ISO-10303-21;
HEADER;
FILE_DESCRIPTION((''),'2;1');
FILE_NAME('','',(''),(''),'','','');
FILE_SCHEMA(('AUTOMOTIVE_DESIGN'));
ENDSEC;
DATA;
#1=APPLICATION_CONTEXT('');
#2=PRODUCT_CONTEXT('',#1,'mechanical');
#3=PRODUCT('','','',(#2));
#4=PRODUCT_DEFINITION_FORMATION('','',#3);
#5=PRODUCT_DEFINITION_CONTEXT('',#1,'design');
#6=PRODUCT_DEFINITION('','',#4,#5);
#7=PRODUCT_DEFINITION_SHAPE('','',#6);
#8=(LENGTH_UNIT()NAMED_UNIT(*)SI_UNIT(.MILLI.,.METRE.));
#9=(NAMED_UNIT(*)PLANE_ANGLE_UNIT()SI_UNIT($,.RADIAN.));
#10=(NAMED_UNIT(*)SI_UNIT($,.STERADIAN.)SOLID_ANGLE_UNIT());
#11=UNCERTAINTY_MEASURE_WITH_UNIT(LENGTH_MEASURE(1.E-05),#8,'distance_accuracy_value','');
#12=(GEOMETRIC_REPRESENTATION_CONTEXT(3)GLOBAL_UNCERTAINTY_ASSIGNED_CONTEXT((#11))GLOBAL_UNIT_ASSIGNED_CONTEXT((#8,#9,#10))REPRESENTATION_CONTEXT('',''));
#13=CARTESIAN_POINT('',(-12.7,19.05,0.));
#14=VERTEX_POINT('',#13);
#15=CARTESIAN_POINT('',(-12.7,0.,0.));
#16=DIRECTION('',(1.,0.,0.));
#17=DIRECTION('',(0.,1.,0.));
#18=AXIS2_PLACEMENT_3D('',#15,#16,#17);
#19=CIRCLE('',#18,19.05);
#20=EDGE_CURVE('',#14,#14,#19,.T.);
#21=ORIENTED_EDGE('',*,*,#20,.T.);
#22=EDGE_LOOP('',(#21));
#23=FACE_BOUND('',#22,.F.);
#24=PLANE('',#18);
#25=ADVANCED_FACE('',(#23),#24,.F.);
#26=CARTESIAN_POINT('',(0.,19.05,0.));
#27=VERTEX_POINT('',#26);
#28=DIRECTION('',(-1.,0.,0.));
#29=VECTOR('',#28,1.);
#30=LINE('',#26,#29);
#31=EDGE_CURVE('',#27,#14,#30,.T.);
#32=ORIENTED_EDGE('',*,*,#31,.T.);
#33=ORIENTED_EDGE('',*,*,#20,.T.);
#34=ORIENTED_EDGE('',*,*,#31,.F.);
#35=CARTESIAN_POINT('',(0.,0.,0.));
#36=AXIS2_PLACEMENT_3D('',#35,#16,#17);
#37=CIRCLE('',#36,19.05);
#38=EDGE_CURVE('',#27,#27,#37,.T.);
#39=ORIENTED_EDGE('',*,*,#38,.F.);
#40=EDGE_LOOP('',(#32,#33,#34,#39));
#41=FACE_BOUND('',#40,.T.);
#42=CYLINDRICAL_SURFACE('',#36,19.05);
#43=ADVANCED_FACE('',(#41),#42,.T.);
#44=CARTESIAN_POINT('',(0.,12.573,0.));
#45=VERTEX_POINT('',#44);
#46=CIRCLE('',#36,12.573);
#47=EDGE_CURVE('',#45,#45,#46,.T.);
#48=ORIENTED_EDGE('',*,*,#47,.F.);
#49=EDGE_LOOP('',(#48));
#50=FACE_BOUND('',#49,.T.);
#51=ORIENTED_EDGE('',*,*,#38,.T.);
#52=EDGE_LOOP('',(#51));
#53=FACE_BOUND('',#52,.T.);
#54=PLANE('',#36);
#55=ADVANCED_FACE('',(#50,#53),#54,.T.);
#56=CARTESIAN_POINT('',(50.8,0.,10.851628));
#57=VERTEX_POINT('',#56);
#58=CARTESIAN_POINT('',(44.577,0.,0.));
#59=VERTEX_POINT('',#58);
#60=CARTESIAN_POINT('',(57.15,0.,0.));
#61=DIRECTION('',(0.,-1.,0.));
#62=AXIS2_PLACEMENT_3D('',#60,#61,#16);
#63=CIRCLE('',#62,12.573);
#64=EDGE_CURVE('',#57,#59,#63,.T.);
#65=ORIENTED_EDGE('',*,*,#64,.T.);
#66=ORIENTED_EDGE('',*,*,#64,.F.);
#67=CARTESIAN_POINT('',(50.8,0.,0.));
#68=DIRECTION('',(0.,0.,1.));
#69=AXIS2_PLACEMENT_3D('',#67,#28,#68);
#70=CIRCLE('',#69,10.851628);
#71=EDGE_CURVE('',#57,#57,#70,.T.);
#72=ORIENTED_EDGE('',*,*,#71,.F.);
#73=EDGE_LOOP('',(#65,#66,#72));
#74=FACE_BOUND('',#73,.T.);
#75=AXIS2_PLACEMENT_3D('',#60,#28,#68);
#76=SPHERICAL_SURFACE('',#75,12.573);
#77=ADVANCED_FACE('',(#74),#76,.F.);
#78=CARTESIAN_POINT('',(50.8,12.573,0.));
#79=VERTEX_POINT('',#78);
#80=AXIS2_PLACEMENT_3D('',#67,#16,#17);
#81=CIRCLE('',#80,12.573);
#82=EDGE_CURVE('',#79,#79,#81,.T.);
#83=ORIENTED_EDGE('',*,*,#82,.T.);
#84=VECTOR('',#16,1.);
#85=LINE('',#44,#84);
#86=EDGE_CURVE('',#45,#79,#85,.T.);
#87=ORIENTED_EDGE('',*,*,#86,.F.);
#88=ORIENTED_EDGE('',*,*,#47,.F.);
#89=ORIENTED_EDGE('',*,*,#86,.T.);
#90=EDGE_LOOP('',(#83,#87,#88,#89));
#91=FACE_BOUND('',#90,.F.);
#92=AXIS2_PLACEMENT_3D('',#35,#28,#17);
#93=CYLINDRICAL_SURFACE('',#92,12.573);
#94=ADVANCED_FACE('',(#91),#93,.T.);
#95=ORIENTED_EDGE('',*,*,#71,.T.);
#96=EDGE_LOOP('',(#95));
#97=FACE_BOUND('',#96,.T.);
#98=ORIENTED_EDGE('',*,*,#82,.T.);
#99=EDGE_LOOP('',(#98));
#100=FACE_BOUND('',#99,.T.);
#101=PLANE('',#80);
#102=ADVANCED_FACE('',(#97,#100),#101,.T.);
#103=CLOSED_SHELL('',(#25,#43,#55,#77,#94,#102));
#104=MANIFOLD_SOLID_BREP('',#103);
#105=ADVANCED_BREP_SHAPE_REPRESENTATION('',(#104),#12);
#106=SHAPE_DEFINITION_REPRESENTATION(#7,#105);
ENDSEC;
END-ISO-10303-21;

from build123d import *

# Parameters (mm, degrees)
F0_R     = 19.05
F1_DEPTH = 12.7
F2_R     = 12.573
F3_DEPTH = 50.8


with BuildPart() as f1:
    # F0 (on Right) → F1 (new body)
    with BuildSketch(Plane.YZ):
        Circle(F0_R)
    extrude(amount=-F1_DEPTH)

    # F2 (on face) → F3 (join)
    with BuildSketch(Plane.YZ):
        Circle(F2_R)
    extrude(amount=F3_DEPTH)

    # F4 (on Front) → F5 (revolve, cut)
    with BuildSketch(Plane.XZ):
        with BuildLine():
            Line((44.577, 0), (69.723, 0))
            ThreePointArc((69.723, 0), (57.15, 12.573), (44.577, 0))
        make_face()
    revolve(axis=Axis((57.15, 0, 0), (1, 0, 0)), mode=Mode.SUBTRACT)


solid = f1.part
